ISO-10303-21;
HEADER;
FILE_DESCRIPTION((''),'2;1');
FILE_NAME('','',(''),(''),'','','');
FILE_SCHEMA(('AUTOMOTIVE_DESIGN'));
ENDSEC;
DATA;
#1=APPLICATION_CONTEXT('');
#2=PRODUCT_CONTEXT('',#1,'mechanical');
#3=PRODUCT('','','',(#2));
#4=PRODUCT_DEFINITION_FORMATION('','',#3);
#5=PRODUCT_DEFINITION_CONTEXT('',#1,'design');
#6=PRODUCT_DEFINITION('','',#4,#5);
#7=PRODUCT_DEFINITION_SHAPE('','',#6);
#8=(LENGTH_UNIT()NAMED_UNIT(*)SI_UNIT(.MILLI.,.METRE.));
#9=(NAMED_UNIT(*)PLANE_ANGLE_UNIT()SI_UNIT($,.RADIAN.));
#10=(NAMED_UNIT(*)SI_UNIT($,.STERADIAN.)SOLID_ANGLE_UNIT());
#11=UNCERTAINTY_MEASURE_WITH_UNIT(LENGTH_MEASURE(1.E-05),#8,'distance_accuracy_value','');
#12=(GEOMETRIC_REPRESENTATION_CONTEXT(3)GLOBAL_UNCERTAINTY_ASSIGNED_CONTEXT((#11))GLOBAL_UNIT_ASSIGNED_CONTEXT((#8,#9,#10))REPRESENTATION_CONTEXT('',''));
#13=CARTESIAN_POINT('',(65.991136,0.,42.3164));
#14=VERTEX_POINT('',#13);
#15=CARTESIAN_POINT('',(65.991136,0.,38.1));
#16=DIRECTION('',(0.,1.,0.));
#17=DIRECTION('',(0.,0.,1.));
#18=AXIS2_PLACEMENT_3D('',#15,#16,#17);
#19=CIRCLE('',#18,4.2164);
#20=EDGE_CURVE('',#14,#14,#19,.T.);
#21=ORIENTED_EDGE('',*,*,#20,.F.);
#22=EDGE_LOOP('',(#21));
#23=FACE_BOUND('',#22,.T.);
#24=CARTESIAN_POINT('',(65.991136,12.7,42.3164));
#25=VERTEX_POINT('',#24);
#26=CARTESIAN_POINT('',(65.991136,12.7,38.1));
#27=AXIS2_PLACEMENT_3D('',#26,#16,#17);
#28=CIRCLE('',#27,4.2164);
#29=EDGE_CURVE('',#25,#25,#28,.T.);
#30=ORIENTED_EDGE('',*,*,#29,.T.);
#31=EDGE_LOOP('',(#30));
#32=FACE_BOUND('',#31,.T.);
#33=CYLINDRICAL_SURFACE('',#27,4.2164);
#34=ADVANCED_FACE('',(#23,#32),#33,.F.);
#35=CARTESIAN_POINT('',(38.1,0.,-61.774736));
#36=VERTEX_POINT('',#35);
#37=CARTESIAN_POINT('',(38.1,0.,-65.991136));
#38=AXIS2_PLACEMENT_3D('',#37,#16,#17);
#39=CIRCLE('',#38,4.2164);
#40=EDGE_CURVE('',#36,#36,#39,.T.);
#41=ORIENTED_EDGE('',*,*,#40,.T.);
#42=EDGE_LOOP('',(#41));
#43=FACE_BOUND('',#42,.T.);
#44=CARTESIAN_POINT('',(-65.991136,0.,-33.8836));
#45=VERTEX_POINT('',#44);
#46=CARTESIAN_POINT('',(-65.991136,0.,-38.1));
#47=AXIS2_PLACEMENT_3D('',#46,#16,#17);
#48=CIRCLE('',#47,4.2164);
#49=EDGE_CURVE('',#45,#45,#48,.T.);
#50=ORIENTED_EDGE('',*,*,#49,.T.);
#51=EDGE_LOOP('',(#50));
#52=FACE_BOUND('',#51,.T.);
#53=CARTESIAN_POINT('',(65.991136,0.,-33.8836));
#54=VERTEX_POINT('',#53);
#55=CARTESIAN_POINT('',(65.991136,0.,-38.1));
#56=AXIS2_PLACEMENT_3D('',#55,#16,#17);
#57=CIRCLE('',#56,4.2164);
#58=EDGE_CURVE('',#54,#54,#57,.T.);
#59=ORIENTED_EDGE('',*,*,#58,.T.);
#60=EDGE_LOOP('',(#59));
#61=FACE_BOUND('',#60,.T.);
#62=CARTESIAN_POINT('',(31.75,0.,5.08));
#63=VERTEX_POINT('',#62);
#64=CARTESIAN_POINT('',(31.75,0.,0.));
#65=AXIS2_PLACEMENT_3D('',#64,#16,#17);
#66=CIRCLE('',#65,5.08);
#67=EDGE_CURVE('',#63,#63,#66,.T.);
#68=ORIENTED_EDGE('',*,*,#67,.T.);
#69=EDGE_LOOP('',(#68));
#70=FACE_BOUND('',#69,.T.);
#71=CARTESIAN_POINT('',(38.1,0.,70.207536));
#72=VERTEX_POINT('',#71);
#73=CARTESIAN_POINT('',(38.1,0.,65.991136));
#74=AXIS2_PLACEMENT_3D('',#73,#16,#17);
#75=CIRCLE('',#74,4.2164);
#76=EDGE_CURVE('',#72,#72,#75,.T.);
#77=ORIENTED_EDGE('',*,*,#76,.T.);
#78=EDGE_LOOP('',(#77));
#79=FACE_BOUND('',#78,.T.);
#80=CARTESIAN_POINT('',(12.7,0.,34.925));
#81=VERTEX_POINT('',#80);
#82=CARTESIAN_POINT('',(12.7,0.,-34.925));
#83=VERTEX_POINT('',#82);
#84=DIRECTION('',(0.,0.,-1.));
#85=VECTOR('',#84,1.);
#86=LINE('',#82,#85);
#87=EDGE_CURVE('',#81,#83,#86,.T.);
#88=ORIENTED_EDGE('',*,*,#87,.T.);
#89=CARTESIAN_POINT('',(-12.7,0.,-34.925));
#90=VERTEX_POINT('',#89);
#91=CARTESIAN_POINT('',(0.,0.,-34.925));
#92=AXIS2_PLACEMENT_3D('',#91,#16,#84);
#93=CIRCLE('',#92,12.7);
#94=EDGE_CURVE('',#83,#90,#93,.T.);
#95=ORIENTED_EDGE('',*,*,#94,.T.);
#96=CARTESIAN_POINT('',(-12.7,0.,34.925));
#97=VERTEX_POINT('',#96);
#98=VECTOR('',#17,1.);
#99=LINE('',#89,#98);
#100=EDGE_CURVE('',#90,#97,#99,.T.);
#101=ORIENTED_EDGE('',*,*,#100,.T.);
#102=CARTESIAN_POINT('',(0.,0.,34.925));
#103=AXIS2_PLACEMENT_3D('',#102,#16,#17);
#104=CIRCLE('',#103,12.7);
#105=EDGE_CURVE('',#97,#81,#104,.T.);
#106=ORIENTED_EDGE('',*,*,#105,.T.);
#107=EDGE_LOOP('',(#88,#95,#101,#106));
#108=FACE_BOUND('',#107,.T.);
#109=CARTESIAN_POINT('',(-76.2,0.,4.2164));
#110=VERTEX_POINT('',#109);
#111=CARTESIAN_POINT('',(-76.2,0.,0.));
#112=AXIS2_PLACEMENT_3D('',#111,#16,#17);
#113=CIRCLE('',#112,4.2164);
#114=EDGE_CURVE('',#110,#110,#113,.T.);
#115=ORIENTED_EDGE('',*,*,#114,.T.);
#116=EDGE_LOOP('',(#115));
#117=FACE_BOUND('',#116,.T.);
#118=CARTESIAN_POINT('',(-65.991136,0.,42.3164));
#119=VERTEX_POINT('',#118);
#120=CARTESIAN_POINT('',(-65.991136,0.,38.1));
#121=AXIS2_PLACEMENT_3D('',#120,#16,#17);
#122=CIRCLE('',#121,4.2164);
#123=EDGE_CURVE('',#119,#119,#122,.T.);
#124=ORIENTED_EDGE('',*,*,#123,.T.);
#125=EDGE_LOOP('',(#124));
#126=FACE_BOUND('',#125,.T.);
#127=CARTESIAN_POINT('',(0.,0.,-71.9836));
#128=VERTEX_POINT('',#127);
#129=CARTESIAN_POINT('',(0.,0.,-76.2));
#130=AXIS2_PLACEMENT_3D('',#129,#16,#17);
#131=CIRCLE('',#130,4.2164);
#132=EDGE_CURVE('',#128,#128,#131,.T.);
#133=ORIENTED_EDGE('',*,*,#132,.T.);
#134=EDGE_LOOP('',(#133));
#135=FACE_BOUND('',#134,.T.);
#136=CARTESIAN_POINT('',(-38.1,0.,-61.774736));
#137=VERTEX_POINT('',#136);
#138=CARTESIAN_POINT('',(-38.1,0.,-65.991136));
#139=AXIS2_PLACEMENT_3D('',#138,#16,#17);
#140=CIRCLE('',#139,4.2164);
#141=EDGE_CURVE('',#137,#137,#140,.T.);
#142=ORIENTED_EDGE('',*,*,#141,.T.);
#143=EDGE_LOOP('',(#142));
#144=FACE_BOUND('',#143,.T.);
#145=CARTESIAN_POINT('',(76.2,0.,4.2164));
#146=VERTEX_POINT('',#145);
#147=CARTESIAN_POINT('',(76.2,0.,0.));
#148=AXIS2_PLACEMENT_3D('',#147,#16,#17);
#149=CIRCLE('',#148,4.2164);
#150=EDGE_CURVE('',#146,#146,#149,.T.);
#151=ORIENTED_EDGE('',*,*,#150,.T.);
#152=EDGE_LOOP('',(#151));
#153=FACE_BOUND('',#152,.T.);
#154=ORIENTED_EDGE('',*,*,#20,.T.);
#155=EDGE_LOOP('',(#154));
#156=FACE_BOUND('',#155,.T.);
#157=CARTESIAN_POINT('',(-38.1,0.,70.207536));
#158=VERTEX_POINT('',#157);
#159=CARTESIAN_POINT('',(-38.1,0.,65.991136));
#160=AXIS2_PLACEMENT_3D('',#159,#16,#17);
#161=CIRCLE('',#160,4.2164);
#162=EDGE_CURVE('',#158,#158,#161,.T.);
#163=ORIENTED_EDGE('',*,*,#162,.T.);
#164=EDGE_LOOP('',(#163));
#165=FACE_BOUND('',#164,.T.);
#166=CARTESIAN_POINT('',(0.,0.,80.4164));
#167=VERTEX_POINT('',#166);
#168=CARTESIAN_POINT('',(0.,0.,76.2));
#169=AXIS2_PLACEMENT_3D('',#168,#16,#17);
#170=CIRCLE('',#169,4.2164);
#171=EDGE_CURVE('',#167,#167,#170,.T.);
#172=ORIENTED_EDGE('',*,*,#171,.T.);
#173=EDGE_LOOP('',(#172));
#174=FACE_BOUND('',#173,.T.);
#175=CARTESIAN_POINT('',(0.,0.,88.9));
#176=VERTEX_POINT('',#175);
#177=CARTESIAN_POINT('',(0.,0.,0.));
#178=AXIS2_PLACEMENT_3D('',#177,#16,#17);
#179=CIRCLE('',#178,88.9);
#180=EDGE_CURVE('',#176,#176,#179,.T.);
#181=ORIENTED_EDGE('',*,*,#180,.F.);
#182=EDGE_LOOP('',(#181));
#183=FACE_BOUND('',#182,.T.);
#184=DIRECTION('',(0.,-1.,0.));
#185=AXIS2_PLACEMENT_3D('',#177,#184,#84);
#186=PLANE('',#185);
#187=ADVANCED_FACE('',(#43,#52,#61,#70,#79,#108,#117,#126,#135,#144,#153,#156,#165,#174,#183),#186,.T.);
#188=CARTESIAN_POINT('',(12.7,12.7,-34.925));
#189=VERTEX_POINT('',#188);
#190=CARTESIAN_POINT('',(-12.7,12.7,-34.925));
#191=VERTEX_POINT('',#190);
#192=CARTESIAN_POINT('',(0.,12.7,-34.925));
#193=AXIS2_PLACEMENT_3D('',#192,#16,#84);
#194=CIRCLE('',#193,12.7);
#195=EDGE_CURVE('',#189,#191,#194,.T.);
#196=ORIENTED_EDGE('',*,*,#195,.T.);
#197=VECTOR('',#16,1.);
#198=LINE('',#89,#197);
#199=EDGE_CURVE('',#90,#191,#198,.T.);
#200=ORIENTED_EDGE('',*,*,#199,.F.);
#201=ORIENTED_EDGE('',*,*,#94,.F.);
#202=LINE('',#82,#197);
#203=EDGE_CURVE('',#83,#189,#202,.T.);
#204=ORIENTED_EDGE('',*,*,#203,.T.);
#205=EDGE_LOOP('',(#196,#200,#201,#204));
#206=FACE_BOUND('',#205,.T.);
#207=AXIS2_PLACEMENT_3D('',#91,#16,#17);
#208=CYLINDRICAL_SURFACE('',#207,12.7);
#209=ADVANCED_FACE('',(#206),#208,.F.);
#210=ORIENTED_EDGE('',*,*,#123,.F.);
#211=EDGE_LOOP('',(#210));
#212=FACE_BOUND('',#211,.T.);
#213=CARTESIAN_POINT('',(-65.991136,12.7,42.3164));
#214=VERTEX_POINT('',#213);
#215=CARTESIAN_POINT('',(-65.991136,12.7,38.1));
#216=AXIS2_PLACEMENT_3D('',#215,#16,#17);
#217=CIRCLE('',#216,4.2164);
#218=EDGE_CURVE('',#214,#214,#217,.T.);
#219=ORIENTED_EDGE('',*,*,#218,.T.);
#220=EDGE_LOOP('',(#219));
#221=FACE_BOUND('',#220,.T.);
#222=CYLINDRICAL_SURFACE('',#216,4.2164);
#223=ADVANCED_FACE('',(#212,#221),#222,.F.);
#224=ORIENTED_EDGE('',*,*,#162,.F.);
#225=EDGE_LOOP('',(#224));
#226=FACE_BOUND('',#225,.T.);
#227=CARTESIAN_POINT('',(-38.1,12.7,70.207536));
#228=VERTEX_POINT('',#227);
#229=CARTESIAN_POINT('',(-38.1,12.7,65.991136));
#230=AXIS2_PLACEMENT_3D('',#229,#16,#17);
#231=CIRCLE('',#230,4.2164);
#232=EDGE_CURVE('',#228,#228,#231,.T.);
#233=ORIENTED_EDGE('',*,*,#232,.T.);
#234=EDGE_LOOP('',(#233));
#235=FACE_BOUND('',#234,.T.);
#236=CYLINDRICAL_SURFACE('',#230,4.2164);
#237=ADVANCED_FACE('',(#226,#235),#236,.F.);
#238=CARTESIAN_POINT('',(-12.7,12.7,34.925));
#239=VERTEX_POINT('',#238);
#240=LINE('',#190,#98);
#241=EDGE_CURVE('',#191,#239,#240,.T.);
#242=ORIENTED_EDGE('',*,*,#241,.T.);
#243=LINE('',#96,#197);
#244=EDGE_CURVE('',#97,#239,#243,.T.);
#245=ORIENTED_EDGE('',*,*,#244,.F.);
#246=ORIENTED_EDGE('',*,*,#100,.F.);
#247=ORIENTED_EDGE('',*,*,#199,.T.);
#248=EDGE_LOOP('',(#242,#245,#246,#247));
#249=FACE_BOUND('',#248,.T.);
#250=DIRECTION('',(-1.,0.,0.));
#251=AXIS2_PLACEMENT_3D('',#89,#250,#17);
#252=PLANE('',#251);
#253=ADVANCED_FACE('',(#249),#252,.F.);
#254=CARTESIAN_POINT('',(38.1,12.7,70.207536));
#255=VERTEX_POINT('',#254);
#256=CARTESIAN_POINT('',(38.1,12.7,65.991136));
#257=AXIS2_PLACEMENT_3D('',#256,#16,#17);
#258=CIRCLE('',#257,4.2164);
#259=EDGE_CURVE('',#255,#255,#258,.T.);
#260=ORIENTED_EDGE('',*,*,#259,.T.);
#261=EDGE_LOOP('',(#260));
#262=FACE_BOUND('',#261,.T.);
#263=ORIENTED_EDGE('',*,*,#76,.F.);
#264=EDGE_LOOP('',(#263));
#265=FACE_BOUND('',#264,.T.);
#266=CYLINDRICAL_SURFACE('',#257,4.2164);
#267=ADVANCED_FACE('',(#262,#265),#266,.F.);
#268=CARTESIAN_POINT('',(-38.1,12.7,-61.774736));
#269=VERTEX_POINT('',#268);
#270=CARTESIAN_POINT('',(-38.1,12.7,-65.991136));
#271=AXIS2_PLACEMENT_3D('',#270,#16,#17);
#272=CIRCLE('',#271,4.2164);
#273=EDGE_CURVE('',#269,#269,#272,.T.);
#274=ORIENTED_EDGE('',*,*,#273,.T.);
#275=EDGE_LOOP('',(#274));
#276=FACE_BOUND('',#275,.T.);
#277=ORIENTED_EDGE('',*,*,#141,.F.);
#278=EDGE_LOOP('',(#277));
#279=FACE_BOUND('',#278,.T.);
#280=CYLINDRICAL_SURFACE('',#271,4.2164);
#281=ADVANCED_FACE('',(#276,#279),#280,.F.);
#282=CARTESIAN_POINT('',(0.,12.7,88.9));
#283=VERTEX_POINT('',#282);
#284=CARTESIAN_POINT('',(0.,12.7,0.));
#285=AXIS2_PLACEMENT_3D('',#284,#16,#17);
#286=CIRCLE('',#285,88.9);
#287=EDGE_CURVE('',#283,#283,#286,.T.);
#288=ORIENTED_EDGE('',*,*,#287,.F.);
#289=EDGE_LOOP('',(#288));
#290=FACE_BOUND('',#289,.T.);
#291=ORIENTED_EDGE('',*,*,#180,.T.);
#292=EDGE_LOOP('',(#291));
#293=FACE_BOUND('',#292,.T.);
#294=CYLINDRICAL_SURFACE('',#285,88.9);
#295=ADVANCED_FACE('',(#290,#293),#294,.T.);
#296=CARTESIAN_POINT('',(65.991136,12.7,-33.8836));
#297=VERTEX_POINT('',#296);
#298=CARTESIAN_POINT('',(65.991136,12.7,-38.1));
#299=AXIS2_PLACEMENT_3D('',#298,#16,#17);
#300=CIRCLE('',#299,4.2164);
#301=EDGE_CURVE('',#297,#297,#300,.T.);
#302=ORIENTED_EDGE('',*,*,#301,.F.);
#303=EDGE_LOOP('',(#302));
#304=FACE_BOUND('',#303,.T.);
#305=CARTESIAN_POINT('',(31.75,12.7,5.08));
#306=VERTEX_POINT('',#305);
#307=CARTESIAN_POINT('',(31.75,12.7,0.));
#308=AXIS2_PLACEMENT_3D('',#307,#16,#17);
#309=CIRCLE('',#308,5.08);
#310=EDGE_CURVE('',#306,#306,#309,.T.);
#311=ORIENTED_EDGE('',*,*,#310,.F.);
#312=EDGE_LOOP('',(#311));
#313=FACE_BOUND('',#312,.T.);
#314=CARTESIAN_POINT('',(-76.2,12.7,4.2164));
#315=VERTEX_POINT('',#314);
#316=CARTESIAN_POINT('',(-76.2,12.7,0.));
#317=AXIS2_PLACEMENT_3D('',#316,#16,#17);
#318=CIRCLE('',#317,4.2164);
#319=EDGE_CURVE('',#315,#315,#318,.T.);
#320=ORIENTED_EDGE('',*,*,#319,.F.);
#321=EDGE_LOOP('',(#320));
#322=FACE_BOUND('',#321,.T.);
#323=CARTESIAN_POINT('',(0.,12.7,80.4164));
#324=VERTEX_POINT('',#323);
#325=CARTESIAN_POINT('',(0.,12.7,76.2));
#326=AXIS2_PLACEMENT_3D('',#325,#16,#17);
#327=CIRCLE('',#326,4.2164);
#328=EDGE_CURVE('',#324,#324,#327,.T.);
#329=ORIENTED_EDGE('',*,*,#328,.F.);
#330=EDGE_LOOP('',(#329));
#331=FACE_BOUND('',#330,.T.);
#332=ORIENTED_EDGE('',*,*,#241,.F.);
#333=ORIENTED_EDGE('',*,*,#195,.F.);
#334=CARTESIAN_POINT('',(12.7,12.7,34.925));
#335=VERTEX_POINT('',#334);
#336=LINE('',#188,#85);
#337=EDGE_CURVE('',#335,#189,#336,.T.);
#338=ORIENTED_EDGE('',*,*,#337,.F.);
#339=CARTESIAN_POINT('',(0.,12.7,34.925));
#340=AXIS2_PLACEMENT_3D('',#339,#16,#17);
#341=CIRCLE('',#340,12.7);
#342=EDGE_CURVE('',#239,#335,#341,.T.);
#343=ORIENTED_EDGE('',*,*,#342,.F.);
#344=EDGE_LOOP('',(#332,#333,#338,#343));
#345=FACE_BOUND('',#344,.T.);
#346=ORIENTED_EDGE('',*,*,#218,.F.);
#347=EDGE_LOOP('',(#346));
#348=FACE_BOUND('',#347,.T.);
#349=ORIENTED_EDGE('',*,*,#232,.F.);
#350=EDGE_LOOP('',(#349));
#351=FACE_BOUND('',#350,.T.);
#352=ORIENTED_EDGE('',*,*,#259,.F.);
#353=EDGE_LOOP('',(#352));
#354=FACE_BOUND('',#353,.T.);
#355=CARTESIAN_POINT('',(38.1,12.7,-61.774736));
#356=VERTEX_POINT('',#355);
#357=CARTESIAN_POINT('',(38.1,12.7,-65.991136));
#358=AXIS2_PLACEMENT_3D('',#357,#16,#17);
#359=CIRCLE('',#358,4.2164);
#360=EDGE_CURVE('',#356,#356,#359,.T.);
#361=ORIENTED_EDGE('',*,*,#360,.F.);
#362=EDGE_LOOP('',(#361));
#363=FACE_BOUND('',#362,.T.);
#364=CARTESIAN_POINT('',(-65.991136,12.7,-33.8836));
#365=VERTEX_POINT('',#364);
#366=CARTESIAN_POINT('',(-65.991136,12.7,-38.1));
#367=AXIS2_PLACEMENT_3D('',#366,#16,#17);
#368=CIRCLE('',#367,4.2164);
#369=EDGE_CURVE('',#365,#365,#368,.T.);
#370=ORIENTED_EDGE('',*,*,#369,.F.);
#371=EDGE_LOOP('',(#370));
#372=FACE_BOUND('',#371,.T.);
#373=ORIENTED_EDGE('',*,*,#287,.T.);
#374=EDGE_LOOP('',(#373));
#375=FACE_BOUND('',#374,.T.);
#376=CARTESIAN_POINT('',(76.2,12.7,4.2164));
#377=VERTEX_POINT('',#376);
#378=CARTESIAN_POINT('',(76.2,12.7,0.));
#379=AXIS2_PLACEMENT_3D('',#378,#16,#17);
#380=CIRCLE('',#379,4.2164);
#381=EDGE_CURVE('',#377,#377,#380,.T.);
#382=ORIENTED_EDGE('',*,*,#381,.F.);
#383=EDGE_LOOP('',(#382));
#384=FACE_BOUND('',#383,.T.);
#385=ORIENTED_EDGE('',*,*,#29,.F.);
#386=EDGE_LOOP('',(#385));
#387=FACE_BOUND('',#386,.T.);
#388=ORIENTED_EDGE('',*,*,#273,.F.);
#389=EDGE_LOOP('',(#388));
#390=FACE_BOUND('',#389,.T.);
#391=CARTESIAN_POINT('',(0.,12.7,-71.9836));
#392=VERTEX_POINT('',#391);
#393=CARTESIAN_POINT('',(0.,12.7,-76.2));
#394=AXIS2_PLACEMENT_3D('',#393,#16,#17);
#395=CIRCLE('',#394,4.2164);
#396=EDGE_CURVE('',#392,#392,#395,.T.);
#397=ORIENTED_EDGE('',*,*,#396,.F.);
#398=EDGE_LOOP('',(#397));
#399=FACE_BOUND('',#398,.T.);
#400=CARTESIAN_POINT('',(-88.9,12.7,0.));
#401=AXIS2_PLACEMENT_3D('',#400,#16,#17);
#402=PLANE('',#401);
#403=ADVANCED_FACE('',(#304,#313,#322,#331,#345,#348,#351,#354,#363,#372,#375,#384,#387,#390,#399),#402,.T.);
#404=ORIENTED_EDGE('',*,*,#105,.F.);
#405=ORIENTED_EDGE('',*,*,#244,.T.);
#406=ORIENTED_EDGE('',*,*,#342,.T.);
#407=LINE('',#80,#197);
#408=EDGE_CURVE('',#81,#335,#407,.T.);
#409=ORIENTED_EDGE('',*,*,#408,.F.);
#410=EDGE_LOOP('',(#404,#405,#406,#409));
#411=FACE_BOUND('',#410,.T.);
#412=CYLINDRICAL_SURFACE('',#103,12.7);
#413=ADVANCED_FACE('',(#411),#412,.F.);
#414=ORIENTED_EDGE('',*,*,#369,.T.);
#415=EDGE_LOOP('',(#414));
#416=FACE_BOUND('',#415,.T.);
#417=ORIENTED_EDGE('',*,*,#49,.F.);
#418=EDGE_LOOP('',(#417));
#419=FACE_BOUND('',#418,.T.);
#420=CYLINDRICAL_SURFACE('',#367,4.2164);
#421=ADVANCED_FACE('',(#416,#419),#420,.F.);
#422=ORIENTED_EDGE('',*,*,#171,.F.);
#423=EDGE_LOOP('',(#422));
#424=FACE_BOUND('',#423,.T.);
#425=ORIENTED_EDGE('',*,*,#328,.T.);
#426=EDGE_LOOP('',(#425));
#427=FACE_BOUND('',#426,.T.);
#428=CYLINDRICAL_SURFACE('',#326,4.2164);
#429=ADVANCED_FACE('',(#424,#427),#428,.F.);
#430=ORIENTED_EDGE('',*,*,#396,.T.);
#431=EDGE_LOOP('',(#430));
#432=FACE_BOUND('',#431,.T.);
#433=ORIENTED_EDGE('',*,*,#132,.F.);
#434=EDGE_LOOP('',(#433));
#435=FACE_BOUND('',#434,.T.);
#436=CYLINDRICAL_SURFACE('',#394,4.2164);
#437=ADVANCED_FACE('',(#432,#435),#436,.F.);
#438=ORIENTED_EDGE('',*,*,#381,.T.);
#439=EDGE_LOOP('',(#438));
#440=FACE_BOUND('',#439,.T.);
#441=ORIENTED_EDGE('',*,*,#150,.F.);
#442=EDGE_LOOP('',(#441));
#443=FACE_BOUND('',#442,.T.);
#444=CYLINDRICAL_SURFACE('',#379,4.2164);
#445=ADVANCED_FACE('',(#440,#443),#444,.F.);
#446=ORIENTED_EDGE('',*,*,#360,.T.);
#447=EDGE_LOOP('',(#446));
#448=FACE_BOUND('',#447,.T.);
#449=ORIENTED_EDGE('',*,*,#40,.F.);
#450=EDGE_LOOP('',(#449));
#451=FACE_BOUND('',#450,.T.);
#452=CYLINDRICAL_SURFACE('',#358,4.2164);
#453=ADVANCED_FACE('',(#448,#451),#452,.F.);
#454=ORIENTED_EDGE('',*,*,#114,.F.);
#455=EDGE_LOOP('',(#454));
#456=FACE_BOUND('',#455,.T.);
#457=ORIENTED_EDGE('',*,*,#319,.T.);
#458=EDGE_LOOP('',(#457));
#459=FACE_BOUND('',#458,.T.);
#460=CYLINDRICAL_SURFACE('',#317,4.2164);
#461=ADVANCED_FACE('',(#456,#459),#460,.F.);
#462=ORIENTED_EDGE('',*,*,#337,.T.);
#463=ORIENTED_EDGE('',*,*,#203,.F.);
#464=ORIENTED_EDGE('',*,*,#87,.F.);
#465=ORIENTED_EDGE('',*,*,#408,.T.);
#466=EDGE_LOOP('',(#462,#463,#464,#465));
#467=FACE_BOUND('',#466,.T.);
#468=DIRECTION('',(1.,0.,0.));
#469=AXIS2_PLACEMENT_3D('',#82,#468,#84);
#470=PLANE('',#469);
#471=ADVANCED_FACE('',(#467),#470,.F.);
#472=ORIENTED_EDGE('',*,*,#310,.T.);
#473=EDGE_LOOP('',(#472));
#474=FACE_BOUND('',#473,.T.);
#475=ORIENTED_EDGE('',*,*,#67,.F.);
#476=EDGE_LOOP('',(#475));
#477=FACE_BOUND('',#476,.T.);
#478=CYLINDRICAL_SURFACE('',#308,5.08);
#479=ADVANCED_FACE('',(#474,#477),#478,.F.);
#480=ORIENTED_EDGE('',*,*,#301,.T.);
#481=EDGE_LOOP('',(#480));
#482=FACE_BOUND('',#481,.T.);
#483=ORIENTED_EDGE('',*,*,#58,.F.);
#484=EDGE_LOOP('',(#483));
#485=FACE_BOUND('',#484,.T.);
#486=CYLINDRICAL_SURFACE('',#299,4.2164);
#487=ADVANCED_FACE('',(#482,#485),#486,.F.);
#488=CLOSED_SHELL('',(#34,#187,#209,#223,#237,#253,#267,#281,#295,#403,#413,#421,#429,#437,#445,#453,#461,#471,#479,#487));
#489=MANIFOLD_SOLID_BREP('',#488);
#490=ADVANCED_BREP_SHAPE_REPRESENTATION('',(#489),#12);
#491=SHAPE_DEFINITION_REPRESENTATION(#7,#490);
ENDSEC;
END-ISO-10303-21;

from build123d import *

# Parameters (mm, degrees)
SKETCH2_W                = 88.9
SKETCH2_H                = 12.7
CUT_EXTRUDE1_DEPTH       = 127.363404513
F_5_16_CLEARANCE_HOLE1_D = 8.4328
CIRPATTERN1_COUNT        = 12
F_5_16_CLEARANCE_HOLE2_D = 10.16


with BuildPart() as part:
    # Sketch2 → Revolve1 (revolve)
    with BuildSketch(Plane.XY):
        with Locations((-44.45, 6.35)):
            Rectangle(SKETCH2_W, SKETCH2_H)
    revolve(axis=Axis((0, 12.7, 0), (0, -1, 0)))

    # Sketch3 → Cut-Extrude1 (cut, through all)
    with BuildSketch(Plane(origin=(0, 12.7, 0), x_dir=(1, 0, 0), z_dir=(0, 1, 0))):
        with BuildLine():
            Line((-12.7, 34.925), (-12.7, -34.925))
            ThreePointArc((-12.7, -34.925), (0, -47.625), (12.7, -34.925))
            Line((12.7, -34.925), (12.7, 34.925))
            ThreePointArc((12.7, 34.925), (0, 47.625), (-12.7, 34.925))
        make_face()
    extrude(amount=-CUT_EXTRUDE1_DEPTH, mode=Mode.SUBTRACT)

    # 5/16 Clearance Hole1 (through all)
    with Locations(Plane(origin=(0, 12.7, 0), x_dir=(1, 0, 0), z_dir=(0, 1, 0))):
        with Locations((0, 76.2)):
            f_5_16_clearance_hole1 = Hole(F_5_16_CLEARANCE_HOLE1_D / 2)

    # CirPattern1: 5/16 Clearance Hole1 ×12 about axis
    cirpattern1_axis = Axis((0, 13.335, 0), (0, -1, 0))
    for i in range(1, CIRPATTERN1_COUNT):
        add(f_5_16_clearance_hole1.rotate(cirpattern1_axis, i * 360 / CIRPATTERN1_COUNT), mode=Mode.SUBTRACT)

    # 5/16 Clearance Hole2 (through all)
    with Locations(Plane(origin=(0, 12.7, 0), x_dir=(1, 0, 0), z_dir=(0, 1, 0))):
        with Locations((31.75, 0)):
            Hole(F_5_16_CLEARANCE_HOLE2_D / 2)


solid = part.part
